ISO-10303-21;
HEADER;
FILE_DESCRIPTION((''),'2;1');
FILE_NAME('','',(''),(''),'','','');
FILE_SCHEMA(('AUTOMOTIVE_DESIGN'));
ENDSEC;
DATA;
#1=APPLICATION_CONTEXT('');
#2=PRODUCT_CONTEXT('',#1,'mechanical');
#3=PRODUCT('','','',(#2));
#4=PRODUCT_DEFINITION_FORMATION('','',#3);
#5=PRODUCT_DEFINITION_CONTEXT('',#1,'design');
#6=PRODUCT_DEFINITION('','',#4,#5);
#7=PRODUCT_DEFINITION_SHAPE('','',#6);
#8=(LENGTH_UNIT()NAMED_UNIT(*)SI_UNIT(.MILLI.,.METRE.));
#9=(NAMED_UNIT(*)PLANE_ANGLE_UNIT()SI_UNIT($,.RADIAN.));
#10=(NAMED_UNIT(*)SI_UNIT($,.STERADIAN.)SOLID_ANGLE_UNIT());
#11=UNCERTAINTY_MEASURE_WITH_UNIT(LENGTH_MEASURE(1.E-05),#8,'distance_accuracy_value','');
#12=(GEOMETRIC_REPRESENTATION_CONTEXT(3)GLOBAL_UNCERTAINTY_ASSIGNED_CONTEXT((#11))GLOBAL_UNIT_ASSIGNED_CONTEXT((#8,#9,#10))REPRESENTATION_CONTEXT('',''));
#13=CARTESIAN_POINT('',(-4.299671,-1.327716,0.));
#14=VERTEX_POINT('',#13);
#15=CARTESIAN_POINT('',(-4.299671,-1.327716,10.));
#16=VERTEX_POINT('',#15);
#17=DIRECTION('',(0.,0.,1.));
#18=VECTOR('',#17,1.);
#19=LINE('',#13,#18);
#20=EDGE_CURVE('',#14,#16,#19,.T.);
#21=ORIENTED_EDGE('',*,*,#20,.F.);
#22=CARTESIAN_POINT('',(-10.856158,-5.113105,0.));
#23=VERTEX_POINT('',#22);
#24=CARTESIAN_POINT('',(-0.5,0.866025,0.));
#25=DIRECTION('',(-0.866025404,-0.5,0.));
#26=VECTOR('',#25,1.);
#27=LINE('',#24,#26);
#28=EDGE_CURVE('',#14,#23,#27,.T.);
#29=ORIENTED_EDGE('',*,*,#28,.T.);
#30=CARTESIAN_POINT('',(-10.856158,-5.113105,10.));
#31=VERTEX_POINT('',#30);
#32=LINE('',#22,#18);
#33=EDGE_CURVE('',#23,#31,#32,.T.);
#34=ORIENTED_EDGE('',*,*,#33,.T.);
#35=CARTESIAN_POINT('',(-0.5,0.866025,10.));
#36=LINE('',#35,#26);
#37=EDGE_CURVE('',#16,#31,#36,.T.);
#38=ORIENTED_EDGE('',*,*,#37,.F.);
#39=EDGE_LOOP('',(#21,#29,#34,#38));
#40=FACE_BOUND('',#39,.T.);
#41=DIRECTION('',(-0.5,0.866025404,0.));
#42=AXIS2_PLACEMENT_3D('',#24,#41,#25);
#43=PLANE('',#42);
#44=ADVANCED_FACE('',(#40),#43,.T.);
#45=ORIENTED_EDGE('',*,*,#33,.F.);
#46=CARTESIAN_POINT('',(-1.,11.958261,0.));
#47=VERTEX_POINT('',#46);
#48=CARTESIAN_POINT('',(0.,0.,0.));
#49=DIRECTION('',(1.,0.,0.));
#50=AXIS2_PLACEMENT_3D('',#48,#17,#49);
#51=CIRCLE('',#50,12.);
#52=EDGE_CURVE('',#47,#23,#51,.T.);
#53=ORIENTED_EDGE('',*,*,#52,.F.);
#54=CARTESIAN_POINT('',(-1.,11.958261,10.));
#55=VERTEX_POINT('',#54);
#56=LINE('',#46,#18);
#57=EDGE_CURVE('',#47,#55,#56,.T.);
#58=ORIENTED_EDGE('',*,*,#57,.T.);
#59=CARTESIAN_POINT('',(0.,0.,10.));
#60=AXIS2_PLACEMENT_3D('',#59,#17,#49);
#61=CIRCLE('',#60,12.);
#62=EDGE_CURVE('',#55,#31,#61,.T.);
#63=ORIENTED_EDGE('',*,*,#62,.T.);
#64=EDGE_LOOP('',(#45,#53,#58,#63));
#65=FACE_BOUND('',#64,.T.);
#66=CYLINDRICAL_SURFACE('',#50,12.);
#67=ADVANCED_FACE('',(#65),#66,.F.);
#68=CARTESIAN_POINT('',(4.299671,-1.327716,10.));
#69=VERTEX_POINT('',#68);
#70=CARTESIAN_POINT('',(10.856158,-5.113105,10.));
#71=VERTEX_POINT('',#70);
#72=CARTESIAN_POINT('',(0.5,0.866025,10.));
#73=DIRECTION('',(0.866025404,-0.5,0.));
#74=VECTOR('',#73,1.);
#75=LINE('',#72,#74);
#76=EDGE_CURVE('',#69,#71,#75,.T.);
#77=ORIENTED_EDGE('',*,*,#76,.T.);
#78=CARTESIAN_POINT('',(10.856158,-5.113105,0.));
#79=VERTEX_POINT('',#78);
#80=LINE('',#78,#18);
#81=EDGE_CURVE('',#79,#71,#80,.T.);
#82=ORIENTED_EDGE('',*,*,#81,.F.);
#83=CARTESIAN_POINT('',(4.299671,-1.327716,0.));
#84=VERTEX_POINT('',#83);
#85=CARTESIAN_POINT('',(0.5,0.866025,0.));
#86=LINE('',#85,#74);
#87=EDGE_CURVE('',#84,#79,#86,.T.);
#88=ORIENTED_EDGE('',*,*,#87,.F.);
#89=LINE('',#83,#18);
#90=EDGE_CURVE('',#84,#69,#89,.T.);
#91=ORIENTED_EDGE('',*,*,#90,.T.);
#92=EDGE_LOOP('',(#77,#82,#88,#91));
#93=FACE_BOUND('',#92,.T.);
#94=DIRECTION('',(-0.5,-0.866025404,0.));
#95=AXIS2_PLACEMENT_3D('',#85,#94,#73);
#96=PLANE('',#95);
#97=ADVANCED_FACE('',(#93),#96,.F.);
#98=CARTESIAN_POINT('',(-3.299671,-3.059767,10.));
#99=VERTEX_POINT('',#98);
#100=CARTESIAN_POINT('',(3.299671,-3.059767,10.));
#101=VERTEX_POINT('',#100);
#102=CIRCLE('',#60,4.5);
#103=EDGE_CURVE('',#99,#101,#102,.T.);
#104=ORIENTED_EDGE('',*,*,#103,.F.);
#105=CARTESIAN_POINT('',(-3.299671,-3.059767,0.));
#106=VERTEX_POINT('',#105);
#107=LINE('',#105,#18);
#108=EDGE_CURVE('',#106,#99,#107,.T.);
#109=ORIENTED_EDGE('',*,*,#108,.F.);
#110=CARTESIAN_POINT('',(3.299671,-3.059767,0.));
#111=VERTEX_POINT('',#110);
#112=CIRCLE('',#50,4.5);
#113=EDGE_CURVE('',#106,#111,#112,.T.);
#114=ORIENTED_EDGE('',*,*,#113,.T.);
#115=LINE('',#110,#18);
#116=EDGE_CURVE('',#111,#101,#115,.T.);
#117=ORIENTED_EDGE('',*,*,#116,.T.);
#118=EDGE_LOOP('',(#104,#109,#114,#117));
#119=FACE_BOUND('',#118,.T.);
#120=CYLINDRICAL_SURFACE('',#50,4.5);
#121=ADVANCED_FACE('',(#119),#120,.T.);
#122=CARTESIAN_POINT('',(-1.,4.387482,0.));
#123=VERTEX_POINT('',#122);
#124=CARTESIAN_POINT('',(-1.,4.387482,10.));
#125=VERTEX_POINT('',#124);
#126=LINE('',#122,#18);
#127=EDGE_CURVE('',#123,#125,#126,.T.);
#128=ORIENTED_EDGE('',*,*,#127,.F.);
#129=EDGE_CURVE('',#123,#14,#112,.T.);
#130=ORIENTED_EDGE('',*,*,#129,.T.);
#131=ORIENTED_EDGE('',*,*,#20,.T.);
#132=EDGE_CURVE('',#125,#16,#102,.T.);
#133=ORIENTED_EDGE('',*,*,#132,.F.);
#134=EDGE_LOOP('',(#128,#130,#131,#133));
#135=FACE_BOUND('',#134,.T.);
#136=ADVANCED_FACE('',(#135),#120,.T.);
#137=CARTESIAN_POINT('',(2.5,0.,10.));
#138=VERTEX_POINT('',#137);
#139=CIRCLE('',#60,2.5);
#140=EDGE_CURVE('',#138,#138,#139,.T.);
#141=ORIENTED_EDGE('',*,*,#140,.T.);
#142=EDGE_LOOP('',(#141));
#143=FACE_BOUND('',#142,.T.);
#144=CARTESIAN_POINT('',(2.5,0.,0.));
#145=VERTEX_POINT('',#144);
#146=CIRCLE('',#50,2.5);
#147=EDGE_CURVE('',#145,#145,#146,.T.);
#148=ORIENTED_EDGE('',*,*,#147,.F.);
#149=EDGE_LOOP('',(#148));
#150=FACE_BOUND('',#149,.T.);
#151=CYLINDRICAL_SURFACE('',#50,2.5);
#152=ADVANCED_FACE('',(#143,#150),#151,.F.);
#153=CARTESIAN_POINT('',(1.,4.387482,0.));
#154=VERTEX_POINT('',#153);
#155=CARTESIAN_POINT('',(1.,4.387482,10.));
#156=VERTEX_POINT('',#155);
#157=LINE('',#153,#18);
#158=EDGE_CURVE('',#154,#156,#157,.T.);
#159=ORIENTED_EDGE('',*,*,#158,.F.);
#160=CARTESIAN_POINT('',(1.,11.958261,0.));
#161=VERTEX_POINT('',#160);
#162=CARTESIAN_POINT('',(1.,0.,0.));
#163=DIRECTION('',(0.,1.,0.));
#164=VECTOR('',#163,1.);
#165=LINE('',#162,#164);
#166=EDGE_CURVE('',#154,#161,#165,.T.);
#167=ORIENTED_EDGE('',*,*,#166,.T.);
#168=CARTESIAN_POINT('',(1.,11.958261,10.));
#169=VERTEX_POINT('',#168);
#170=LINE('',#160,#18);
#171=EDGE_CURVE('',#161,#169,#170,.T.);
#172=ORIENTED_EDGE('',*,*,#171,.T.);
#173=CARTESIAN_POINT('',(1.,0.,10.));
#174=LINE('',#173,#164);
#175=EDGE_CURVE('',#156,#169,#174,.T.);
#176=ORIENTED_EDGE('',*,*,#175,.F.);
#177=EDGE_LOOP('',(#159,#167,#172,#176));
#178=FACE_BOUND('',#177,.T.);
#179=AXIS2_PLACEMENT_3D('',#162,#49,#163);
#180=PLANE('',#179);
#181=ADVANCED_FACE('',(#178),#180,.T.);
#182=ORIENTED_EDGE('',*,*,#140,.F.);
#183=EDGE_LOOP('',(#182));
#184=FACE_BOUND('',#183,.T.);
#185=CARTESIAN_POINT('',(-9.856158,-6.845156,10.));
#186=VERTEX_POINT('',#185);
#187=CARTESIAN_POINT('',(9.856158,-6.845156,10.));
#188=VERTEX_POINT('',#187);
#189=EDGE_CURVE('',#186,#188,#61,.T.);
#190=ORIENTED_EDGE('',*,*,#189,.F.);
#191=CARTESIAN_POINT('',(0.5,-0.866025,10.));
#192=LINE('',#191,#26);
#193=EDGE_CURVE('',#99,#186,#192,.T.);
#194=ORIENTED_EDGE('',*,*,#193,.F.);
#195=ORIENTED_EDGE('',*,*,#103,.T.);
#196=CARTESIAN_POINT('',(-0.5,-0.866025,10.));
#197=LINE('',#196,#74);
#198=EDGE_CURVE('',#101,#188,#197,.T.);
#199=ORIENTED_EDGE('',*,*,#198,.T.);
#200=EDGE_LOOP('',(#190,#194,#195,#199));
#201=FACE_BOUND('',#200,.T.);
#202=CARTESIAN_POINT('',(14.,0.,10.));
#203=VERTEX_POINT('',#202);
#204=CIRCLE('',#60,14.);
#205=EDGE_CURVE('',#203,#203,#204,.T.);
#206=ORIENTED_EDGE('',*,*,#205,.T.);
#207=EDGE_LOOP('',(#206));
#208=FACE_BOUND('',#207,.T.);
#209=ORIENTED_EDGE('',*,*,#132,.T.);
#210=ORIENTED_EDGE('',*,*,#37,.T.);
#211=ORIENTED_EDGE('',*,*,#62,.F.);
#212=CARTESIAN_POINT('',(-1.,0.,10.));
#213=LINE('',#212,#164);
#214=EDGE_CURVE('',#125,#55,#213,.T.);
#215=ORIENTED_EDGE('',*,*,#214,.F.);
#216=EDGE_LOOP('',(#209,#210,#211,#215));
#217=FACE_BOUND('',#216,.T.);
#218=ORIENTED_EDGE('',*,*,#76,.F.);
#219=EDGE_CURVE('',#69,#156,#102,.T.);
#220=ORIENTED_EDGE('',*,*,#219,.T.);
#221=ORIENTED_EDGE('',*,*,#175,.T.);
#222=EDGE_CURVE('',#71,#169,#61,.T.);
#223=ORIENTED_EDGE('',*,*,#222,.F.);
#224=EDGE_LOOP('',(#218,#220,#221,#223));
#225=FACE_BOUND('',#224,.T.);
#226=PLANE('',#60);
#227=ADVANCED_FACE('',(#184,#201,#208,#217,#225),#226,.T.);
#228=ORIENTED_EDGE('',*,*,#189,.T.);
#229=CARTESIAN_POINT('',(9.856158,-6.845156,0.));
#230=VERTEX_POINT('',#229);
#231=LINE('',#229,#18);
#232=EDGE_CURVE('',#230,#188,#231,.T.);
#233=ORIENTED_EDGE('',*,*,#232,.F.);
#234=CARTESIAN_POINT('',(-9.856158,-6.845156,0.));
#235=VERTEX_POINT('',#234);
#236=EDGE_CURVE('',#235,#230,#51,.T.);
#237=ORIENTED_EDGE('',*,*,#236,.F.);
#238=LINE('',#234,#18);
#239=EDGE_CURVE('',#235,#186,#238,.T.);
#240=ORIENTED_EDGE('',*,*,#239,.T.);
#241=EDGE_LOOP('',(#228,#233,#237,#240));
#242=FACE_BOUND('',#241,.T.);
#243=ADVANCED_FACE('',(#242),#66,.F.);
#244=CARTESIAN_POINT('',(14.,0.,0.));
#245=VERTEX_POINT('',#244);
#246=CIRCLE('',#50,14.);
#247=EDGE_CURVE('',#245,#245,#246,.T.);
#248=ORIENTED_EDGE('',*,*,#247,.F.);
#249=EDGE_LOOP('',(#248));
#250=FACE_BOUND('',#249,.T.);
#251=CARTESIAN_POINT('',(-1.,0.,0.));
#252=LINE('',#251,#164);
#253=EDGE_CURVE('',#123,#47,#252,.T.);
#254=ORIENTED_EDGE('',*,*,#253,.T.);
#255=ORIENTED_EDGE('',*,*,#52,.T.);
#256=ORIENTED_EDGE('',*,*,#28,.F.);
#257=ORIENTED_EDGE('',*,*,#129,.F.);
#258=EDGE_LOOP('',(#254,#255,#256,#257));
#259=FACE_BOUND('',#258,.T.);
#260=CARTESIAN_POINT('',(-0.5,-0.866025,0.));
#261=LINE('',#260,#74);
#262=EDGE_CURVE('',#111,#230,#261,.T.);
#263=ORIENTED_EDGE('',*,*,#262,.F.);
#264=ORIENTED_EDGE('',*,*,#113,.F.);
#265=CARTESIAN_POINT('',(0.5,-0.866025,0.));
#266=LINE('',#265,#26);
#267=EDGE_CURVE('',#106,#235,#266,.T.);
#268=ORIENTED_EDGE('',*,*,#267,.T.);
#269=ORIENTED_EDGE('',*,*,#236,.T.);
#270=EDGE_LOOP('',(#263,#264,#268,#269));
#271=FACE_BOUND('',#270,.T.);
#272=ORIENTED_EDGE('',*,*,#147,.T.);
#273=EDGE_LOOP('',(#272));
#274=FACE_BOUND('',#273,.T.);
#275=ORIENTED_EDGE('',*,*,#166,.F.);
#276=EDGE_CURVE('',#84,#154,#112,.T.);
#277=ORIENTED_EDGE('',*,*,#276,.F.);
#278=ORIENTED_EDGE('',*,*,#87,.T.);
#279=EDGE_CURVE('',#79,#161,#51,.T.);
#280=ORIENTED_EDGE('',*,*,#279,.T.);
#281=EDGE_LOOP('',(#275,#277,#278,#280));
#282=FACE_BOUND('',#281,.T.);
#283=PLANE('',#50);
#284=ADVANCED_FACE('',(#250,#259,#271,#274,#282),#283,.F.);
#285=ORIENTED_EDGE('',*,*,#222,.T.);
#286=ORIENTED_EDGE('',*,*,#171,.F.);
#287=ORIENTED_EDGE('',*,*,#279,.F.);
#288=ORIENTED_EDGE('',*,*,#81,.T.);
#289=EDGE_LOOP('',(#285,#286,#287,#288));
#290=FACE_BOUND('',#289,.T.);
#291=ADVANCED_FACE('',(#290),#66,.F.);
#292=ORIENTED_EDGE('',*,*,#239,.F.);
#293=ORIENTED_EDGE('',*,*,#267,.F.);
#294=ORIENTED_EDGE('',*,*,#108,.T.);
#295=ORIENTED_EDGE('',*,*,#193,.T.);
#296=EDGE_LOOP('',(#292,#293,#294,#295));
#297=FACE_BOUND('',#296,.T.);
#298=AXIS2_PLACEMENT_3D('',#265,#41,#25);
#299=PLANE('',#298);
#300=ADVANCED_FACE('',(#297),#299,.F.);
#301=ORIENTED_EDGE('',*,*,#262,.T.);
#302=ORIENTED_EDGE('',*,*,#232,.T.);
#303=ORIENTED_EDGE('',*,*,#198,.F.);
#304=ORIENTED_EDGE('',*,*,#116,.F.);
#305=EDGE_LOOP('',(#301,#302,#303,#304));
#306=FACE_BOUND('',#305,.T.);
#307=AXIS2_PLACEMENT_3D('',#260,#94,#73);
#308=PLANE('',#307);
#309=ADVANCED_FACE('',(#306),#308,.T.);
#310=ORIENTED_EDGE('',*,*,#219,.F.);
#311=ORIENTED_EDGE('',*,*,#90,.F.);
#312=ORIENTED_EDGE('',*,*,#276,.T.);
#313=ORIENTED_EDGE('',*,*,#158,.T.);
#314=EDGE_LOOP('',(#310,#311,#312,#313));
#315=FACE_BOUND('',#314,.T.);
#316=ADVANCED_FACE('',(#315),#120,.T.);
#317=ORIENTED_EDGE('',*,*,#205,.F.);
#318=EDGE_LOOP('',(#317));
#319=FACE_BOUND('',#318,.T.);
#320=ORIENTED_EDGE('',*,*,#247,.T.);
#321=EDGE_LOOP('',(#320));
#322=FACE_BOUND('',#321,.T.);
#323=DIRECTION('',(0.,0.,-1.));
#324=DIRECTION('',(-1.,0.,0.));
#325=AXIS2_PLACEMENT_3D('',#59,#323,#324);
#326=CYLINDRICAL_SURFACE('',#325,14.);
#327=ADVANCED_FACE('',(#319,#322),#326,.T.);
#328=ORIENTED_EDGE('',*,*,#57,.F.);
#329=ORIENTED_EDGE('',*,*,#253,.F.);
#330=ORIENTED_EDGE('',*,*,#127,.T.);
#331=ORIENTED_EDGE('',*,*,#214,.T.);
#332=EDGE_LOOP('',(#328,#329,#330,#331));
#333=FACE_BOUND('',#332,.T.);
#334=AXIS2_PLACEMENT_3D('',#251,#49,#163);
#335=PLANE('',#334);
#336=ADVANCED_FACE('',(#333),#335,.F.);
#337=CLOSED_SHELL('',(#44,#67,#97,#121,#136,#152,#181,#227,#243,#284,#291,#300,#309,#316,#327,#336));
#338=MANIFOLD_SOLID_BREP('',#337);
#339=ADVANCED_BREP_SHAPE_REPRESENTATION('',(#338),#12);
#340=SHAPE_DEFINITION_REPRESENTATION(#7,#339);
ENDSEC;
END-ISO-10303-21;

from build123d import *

# Parameters (mm, degrees)
SKETCH8_R           = 14
BOSS_EXTRUDE6_DEPTH = 10
SKETCH9_R           = 2.5
CUT_EXTRUDE1_DEPTH  = 10
CUT_EXTRUDE2_DEPTH  = 10


with BuildPart() as part:
    # Sketch8 → Boss-Extrude6 (new body)
    with BuildSketch(Plane.XY):
        Circle(SKETCH8_R)
    extrude(amount=BOSS_EXTRUDE6_DEPTH)

    # Sketch9 → Cut-Extrude1 (cut)
    with BuildSketch(Plane.XY.offset(10)):
        Circle(SKETCH9_R)
    extrude(amount=-CUT_EXTRUDE1_DEPTH, mode=Mode.SUBTRACT)

    # Sketch10 → Cut-Extrude2 (cut)
    with BuildSketch(Plane.XY.offset(10)):
        with BuildLine():
            ThreePointArc((-4.299671038, -1.327715693), (-3.897114317, 2.25), (-1, 4.387482194))
            Line((-1, 4.387482194), (-1, 11.958260743))
            ThreePointArc((-1, 11.958260743), (-10.392304845, 6), (-10.856157589, -5.113104968))
            Line((-10.856157589, -5.113104968), (-4.299671038, -1.327715693))
        make_face()
        with BuildLine():
            Line((1, 11.958260743), (1, 4.387482194))
            ThreePointArc((1, 4.387482194), (3.51781182, 2.80624304), (4.5, 0))
            ThreePointArc((4.5, 0), (4.449635922, -0.671371852), (4.299671038, -1.327715693))
            Line((4.299671038, -1.327715693), (10.856157589, -5.113104968))
            ThreePointArc((10.856157589, -5.113104968), (11.710548473, -2.619743207), (12, 0))
            ThreePointArc((12, 0), (8.831760866, 8.124038405), (1, 11.958260743))
        make_face()
        with BuildLine():
            ThreePointArc((3.299671038, -3.059766501), (0, -4.5), (-3.299671038, -3.059766501))
            Line((-3.299671038, -3.059766501), (-9.856157589, -6.845155775))
            ThreePointArc((-9.856157589, -6.845155775), (0, -12), (9.856157589, -6.845155775))
            Line((9.856157589, -6.845155775), (3.299671038, -3.059766501))
        make_face()
    extrude(amount=-CUT_EXTRUDE2_DEPTH, mode=Mode.SUBTRACT)


solid = part.part
